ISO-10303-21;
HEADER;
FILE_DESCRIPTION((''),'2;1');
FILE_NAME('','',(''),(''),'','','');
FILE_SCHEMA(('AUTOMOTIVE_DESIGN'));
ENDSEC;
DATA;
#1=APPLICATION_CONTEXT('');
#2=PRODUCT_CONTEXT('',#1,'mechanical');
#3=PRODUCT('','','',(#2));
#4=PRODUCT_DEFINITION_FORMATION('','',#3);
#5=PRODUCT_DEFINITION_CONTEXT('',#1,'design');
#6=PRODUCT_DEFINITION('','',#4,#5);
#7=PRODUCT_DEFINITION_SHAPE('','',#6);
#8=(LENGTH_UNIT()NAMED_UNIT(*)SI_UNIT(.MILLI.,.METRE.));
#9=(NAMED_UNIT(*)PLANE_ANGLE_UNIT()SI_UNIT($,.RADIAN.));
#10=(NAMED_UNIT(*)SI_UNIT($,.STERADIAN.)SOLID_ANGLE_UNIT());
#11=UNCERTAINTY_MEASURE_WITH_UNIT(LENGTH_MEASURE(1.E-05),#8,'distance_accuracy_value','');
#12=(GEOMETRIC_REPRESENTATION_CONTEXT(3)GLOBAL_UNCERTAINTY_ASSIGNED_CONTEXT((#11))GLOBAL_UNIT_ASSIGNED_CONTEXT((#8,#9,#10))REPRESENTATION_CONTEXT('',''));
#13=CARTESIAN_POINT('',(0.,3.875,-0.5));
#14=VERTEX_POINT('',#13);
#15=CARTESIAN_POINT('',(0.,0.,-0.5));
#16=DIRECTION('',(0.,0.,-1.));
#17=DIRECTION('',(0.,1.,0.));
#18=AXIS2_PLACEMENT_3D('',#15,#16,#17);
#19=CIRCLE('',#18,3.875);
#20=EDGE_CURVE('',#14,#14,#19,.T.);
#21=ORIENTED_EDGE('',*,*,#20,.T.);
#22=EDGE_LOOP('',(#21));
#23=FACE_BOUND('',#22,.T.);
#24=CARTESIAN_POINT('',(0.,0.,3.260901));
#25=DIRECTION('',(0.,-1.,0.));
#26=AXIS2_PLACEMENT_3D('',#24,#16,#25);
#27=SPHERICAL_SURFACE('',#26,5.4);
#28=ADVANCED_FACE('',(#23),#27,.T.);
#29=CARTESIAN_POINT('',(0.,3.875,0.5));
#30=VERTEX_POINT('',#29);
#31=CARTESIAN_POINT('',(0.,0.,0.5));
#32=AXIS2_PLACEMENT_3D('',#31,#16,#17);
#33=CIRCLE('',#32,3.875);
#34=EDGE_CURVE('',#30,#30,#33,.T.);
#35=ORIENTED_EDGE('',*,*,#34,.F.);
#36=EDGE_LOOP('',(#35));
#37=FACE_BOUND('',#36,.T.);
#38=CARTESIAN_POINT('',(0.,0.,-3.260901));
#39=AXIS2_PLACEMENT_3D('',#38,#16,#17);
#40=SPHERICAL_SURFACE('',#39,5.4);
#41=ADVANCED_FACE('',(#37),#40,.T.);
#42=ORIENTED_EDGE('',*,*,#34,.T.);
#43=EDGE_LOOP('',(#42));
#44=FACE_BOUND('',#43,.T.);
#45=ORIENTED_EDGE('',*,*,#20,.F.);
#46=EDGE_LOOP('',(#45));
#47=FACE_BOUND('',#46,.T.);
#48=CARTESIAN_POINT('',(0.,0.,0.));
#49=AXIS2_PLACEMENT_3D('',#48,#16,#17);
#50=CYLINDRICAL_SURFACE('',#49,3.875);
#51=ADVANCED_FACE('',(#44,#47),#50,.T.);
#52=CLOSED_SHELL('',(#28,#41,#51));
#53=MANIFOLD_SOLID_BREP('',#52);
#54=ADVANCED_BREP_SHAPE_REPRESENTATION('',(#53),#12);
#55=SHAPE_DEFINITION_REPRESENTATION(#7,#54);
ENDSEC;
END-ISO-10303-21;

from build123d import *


with BuildPart() as part:
    # Sketch3 → Revolve1 (revolve)
    with BuildSketch(Plane(origin=(0, 0, 0), x_dir=(0, 0, -1), z_dir=(1, 0, 0))):
        with BuildLine():
            Line((0, 3.875), (0, 0))
            Line((0, 0), (2.139099177, 0))
            ThreePointArc((2.139099177, 0), (1.712471496, 2.103703348), (0.5, 3.875))
            Line((0.5, 3.875), (0, 3.875))
        make_face()
        with BuildLine():
            ThreePointArc((-0.5, 3.875), (-1.712471496, 2.103703348), (-2.139099177, 0))
            Line((-2.139099177, 0), (0, 0))
            Line((0, 0), (0, 3.875))
            Line((0, 3.875), (-0.5, 3.875))
        make_face()
    revolve(axis=Axis((0, 0, 0), (0, 0, 1)))


solid = part.part
